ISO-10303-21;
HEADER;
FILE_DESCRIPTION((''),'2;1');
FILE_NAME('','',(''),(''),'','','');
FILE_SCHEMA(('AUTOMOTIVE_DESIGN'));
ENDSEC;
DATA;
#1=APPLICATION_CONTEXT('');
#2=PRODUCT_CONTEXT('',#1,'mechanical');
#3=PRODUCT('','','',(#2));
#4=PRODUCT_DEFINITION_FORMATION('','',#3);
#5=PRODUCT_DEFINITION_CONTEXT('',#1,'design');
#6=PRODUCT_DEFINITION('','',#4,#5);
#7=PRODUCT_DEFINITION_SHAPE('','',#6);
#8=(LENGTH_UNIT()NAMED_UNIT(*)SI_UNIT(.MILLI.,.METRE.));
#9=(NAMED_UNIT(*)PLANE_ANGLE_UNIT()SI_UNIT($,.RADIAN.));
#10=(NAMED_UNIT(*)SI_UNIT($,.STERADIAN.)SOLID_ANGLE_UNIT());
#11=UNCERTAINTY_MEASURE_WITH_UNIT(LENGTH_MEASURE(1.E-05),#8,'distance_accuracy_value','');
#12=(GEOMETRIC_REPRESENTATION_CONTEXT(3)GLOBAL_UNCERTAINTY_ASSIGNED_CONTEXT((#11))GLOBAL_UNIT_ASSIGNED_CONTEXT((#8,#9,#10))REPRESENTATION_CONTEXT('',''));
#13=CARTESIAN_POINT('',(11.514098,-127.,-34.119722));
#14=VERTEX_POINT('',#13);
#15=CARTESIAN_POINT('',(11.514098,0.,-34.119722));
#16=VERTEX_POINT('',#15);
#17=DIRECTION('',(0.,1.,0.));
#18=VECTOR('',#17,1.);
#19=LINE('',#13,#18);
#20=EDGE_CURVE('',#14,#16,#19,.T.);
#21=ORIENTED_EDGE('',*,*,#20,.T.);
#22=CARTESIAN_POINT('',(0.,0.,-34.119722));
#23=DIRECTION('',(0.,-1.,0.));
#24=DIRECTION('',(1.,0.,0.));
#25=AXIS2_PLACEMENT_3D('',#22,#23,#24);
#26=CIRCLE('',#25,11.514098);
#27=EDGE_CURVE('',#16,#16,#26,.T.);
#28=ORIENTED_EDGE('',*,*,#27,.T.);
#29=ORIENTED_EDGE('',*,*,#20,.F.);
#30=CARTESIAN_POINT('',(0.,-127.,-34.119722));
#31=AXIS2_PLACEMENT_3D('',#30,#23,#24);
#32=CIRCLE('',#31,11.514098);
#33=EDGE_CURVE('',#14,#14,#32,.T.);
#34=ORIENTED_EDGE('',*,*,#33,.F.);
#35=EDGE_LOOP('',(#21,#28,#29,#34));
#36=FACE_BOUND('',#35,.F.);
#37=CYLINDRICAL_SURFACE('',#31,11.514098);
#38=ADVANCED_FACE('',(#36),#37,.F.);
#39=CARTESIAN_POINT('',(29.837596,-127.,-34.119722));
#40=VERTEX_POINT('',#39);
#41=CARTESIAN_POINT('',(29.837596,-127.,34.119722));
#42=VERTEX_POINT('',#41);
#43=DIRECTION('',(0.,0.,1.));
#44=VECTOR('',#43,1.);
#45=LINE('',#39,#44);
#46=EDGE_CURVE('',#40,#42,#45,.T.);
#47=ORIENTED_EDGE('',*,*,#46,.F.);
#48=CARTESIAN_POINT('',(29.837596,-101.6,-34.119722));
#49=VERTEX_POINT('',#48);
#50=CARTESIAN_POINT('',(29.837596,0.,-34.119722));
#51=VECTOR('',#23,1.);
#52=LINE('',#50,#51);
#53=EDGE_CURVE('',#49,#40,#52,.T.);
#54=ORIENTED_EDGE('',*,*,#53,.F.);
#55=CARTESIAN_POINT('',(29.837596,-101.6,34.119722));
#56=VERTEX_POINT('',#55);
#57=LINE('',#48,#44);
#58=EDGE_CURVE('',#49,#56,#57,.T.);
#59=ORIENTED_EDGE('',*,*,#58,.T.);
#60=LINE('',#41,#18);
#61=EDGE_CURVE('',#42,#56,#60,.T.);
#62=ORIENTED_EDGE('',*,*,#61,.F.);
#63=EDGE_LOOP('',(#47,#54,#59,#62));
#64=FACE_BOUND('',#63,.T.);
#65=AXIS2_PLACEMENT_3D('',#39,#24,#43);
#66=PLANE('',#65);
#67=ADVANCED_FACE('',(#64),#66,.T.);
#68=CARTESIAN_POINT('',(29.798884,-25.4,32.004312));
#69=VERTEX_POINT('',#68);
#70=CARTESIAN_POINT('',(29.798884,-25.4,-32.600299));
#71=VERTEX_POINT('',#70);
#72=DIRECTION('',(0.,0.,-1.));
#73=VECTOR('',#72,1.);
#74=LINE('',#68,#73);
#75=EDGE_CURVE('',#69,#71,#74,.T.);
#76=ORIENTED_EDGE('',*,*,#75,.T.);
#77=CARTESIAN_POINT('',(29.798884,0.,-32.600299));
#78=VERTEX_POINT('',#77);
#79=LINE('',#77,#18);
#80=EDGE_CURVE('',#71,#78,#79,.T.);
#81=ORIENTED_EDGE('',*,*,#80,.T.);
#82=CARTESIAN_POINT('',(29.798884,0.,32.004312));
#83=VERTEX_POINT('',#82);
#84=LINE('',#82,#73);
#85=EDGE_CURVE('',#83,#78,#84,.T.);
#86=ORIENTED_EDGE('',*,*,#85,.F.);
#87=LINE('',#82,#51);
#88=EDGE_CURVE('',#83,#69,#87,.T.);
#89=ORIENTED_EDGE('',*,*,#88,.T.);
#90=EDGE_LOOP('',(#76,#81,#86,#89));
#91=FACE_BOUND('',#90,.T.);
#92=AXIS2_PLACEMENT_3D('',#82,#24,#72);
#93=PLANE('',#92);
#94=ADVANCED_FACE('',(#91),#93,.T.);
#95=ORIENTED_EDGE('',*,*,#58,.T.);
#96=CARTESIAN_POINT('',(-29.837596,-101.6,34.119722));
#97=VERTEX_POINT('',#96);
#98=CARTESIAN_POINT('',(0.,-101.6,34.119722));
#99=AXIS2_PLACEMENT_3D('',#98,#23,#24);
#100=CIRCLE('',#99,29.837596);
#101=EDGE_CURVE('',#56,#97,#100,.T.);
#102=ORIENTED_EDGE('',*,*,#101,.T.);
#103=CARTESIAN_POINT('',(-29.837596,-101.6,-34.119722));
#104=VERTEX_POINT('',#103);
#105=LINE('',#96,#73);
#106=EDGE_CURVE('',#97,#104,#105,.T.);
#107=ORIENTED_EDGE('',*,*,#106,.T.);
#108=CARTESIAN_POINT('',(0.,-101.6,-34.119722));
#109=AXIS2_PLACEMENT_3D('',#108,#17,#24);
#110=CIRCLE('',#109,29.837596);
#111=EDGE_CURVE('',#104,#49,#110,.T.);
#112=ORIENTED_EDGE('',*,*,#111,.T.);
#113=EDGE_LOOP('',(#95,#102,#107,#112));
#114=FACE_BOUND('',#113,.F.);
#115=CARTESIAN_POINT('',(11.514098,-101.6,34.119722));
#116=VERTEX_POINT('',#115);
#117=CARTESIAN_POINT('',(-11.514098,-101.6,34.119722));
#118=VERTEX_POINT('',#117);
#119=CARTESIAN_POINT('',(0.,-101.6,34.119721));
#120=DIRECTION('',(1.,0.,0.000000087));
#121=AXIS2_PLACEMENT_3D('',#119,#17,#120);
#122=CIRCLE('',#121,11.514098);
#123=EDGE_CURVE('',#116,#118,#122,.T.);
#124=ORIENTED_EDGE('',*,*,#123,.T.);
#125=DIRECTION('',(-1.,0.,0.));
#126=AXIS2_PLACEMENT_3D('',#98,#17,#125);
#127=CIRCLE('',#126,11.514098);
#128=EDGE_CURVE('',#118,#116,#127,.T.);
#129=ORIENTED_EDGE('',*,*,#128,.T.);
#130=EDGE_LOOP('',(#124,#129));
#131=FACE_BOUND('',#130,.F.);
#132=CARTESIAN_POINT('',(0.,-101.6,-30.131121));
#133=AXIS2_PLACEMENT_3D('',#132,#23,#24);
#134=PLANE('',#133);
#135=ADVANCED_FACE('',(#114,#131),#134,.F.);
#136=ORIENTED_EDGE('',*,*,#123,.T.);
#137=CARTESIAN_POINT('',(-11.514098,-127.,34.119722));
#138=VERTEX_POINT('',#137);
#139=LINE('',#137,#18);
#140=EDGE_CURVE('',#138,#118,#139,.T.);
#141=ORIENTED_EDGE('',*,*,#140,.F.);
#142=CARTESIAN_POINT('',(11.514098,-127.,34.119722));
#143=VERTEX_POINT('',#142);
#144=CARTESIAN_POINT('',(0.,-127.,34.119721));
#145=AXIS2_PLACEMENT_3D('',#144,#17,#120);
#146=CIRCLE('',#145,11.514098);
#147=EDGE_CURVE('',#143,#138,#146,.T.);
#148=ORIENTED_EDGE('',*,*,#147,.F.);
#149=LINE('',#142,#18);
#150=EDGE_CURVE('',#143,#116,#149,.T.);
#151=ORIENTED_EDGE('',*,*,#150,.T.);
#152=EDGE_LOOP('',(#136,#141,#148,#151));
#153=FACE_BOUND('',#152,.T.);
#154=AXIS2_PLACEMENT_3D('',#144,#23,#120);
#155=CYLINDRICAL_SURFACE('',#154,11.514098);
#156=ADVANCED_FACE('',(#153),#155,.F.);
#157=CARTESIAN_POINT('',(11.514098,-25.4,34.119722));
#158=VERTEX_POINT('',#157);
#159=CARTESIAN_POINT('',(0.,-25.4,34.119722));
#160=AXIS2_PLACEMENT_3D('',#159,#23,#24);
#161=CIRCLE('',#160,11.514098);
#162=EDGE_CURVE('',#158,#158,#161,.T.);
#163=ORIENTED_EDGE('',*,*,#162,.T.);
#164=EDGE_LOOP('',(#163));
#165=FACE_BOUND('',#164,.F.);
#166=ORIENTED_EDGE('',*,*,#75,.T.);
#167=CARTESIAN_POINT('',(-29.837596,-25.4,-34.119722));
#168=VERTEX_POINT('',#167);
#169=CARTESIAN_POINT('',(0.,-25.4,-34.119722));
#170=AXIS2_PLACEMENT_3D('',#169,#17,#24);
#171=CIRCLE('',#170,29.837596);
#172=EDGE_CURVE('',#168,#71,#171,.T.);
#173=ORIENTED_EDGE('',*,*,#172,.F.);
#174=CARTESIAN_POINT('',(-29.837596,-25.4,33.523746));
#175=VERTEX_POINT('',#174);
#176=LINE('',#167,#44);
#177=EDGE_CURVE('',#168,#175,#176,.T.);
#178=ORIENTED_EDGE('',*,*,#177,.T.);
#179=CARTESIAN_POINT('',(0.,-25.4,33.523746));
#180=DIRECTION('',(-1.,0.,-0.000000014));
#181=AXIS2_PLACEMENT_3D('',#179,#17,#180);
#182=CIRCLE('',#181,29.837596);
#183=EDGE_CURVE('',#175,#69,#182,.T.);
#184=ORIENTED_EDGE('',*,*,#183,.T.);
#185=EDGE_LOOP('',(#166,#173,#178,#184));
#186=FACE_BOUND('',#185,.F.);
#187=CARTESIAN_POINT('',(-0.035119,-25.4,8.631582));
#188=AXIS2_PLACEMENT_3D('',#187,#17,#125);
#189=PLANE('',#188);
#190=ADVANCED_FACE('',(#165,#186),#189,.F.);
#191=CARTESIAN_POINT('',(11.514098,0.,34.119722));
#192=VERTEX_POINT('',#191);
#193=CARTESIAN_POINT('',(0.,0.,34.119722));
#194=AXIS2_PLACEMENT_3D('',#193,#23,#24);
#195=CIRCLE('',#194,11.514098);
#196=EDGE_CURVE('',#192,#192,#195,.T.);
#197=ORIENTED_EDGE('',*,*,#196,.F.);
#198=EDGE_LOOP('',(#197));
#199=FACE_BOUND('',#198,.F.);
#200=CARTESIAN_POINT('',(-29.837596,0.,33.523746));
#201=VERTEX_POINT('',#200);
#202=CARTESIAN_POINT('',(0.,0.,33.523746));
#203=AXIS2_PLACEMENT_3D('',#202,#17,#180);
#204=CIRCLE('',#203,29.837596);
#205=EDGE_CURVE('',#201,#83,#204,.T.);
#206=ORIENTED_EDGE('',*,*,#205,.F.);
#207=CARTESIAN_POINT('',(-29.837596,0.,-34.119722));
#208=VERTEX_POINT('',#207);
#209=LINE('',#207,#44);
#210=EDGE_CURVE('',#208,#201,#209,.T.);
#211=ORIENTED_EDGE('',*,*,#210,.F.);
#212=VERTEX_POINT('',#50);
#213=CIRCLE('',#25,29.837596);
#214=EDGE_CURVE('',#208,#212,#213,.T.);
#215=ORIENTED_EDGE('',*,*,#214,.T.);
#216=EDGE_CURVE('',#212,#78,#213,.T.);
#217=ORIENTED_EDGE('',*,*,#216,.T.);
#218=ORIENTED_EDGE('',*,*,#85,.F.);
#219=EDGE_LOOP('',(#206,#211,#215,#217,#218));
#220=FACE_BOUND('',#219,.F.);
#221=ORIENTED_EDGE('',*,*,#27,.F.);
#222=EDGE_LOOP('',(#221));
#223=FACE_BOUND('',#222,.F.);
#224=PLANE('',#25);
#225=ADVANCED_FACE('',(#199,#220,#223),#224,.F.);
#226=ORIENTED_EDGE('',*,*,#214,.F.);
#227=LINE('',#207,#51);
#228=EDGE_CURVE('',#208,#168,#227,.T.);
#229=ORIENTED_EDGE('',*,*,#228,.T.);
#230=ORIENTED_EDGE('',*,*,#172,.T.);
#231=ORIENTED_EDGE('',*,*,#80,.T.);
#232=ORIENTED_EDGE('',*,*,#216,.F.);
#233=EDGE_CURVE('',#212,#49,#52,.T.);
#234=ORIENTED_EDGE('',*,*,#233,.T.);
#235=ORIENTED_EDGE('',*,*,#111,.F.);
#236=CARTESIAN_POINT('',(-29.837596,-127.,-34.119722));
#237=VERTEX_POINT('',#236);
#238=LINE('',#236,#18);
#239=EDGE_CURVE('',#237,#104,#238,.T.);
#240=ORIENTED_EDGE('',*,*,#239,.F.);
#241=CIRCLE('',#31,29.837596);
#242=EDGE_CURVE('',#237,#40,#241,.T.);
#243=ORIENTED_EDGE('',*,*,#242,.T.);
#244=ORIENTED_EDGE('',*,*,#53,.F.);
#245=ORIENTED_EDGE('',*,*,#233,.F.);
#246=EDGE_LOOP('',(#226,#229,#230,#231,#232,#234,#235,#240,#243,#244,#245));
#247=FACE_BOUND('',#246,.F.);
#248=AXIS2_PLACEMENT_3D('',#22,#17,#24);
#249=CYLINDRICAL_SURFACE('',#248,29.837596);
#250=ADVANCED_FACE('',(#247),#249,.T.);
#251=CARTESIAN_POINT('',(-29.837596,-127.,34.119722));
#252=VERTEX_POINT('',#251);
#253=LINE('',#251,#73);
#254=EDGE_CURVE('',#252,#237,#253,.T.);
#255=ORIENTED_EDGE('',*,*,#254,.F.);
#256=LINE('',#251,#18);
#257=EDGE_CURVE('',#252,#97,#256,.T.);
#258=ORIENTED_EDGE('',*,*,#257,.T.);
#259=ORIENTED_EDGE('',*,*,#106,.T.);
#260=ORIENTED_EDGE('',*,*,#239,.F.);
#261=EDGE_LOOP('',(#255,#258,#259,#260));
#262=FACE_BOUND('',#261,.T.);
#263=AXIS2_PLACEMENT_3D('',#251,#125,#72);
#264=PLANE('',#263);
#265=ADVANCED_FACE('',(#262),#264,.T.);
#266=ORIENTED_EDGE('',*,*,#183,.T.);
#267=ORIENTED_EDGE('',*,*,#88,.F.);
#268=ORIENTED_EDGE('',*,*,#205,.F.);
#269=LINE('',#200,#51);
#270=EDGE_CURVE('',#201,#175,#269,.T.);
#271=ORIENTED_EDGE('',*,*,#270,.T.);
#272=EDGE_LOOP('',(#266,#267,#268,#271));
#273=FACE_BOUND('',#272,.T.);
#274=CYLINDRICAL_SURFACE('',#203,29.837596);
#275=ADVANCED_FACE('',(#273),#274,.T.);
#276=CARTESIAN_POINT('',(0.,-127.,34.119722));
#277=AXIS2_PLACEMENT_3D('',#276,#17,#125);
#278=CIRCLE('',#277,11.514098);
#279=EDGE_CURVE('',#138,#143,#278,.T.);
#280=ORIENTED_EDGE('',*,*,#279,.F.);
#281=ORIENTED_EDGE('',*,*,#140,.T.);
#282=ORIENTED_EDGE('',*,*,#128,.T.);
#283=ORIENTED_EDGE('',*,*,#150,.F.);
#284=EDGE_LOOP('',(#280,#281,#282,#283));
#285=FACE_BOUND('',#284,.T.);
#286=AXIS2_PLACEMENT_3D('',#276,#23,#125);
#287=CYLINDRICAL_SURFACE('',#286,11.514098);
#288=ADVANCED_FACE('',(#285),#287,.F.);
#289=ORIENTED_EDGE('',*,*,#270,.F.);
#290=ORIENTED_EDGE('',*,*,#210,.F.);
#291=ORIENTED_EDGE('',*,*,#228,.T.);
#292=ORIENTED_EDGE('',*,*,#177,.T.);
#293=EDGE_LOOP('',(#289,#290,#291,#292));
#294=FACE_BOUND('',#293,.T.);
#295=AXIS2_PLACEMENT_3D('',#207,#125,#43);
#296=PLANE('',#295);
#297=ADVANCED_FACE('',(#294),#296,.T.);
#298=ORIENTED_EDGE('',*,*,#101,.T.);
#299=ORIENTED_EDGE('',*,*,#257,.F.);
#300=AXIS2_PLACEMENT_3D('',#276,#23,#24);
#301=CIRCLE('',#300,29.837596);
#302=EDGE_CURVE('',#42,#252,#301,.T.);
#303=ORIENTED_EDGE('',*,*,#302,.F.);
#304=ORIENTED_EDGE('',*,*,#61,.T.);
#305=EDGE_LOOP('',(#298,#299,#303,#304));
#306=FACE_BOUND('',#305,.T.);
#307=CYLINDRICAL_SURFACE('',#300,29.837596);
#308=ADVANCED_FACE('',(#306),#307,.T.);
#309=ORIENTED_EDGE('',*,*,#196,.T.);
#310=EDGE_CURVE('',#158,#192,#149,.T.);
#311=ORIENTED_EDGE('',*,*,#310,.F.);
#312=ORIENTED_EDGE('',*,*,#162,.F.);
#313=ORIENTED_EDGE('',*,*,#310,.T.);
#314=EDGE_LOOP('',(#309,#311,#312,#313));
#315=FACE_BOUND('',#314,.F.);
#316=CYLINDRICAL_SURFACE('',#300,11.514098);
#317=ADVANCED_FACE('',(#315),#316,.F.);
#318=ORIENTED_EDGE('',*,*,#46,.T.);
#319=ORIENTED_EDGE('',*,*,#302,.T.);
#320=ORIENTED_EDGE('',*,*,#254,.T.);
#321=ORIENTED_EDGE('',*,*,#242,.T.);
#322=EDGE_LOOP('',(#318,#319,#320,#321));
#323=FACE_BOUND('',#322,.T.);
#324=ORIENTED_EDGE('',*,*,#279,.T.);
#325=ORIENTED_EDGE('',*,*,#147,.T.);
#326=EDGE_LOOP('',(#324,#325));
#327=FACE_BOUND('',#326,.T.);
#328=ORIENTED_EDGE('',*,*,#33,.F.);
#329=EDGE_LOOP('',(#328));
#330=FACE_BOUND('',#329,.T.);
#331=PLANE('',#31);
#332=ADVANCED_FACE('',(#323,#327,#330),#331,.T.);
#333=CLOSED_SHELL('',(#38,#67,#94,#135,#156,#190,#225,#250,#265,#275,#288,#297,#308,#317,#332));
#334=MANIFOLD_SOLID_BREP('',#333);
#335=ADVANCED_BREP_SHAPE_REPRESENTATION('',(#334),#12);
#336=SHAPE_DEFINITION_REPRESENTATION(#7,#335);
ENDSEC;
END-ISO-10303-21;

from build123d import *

# Parameters (mm, degrees)
F0_R     = 29.837596
F1_DEPTH = 127
F3_DEPTH = 25.4
F5_DEPTH = 25.4
F6_R     = 11.514098
F7_DEPTH = 249.174


with BuildPart() as f1:
    # F0 (on Front) → F1 (new body)
    with BuildSketch(Plane.XZ):
        with Locations((0, -34.119722)):
            Circle(F0_R)
    extrude(amount=F1_DEPTH)

    # F2 (on face) → F3 (join)
    with BuildSketch(Plane.XZ.offset(127)):
        with BuildLine():
            Line((-11.514098, -34.119722), (0, -34.119722))
            Line((0, -34.119722), (11.514098, -34.119722))
            ThreePointArc((11.514098, -34.119722), (0, -22.605623), (-11.514098, -34.119722))
        make_face()
        with BuildLine():
            Line((-29.837596, -34.119722), (-11.514098, -34.119722))
            ThreePointArc((-11.514098, -34.119722), (0, -22.605623), (11.514098, -34.119722))
            Line((11.514098, -34.119722), (29.837596, -34.119722))
            ThreePointArc((29.837596, -34.119722), (0, -4.282125), (-29.837596, -34.119722))
        make_face()
        with BuildLine():
            Line((-29.837596, 34.119722), (-29.837596, -34.119722))
            ThreePointArc((-29.837596, -34.119722), (0, -4.282125), (29.837596, -34.119722))
            Line((29.837596, -34.119722), (29.837596, 34.119722))
            ThreePointArc((29.837596, 34.119722), (0, 63.957318), (-29.837596, 34.119722))
        make_face()
        with BuildLine():
            ThreePointArc((11.514098, 34.119722), (0, 22.605623), (-11.514098, 34.119722))
            ThreePointArc((-11.514098, 34.119722), (0, 45.63382), (11.514098, 34.119722))
        make_face(mode=Mode.SUBTRACT)
    extrude(amount=-F3_DEPTH)

    # F4 (on face) → F5 (join)
    with BuildSketch(Plane(origin=(0, 0, 0), x_dir=(-1, 0, 0), z_dir=(0, 1, 0))):
        with BuildLine():
            Line((-29.798884, -34.119722), (0, -34.119722))
            Line((0, -34.119722), (29.416961, -34.119722))
            Line((29.416961, -34.119722), (29.837596, -34.119722))
            Line((29.837596, -34.119722), (29.837596, -29.127271))
            Line((29.837596, -29.127271), (29.837596, 33.523746))
            ThreePointArc((29.837596, 33.523746), (-0.759963, 63.351663), (-29.798884, 32.004312))
            Line((-29.798884, 32.004312), (-29.798884, -34.119722))
        make_face()
    extrude(amount=-F5_DEPTH)

    # F6 (on face) → F7 (cut)
    with BuildSketch(Plane.XZ.offset(127)):
        with Locations((0, 34.119722)):
            Circle(F6_R)
        with Locations((0, -34.119722)):
            Circle(F6_R)
    extrude(amount=-F7_DEPTH, mode=Mode.SUBTRACT)


solid = f1.part
